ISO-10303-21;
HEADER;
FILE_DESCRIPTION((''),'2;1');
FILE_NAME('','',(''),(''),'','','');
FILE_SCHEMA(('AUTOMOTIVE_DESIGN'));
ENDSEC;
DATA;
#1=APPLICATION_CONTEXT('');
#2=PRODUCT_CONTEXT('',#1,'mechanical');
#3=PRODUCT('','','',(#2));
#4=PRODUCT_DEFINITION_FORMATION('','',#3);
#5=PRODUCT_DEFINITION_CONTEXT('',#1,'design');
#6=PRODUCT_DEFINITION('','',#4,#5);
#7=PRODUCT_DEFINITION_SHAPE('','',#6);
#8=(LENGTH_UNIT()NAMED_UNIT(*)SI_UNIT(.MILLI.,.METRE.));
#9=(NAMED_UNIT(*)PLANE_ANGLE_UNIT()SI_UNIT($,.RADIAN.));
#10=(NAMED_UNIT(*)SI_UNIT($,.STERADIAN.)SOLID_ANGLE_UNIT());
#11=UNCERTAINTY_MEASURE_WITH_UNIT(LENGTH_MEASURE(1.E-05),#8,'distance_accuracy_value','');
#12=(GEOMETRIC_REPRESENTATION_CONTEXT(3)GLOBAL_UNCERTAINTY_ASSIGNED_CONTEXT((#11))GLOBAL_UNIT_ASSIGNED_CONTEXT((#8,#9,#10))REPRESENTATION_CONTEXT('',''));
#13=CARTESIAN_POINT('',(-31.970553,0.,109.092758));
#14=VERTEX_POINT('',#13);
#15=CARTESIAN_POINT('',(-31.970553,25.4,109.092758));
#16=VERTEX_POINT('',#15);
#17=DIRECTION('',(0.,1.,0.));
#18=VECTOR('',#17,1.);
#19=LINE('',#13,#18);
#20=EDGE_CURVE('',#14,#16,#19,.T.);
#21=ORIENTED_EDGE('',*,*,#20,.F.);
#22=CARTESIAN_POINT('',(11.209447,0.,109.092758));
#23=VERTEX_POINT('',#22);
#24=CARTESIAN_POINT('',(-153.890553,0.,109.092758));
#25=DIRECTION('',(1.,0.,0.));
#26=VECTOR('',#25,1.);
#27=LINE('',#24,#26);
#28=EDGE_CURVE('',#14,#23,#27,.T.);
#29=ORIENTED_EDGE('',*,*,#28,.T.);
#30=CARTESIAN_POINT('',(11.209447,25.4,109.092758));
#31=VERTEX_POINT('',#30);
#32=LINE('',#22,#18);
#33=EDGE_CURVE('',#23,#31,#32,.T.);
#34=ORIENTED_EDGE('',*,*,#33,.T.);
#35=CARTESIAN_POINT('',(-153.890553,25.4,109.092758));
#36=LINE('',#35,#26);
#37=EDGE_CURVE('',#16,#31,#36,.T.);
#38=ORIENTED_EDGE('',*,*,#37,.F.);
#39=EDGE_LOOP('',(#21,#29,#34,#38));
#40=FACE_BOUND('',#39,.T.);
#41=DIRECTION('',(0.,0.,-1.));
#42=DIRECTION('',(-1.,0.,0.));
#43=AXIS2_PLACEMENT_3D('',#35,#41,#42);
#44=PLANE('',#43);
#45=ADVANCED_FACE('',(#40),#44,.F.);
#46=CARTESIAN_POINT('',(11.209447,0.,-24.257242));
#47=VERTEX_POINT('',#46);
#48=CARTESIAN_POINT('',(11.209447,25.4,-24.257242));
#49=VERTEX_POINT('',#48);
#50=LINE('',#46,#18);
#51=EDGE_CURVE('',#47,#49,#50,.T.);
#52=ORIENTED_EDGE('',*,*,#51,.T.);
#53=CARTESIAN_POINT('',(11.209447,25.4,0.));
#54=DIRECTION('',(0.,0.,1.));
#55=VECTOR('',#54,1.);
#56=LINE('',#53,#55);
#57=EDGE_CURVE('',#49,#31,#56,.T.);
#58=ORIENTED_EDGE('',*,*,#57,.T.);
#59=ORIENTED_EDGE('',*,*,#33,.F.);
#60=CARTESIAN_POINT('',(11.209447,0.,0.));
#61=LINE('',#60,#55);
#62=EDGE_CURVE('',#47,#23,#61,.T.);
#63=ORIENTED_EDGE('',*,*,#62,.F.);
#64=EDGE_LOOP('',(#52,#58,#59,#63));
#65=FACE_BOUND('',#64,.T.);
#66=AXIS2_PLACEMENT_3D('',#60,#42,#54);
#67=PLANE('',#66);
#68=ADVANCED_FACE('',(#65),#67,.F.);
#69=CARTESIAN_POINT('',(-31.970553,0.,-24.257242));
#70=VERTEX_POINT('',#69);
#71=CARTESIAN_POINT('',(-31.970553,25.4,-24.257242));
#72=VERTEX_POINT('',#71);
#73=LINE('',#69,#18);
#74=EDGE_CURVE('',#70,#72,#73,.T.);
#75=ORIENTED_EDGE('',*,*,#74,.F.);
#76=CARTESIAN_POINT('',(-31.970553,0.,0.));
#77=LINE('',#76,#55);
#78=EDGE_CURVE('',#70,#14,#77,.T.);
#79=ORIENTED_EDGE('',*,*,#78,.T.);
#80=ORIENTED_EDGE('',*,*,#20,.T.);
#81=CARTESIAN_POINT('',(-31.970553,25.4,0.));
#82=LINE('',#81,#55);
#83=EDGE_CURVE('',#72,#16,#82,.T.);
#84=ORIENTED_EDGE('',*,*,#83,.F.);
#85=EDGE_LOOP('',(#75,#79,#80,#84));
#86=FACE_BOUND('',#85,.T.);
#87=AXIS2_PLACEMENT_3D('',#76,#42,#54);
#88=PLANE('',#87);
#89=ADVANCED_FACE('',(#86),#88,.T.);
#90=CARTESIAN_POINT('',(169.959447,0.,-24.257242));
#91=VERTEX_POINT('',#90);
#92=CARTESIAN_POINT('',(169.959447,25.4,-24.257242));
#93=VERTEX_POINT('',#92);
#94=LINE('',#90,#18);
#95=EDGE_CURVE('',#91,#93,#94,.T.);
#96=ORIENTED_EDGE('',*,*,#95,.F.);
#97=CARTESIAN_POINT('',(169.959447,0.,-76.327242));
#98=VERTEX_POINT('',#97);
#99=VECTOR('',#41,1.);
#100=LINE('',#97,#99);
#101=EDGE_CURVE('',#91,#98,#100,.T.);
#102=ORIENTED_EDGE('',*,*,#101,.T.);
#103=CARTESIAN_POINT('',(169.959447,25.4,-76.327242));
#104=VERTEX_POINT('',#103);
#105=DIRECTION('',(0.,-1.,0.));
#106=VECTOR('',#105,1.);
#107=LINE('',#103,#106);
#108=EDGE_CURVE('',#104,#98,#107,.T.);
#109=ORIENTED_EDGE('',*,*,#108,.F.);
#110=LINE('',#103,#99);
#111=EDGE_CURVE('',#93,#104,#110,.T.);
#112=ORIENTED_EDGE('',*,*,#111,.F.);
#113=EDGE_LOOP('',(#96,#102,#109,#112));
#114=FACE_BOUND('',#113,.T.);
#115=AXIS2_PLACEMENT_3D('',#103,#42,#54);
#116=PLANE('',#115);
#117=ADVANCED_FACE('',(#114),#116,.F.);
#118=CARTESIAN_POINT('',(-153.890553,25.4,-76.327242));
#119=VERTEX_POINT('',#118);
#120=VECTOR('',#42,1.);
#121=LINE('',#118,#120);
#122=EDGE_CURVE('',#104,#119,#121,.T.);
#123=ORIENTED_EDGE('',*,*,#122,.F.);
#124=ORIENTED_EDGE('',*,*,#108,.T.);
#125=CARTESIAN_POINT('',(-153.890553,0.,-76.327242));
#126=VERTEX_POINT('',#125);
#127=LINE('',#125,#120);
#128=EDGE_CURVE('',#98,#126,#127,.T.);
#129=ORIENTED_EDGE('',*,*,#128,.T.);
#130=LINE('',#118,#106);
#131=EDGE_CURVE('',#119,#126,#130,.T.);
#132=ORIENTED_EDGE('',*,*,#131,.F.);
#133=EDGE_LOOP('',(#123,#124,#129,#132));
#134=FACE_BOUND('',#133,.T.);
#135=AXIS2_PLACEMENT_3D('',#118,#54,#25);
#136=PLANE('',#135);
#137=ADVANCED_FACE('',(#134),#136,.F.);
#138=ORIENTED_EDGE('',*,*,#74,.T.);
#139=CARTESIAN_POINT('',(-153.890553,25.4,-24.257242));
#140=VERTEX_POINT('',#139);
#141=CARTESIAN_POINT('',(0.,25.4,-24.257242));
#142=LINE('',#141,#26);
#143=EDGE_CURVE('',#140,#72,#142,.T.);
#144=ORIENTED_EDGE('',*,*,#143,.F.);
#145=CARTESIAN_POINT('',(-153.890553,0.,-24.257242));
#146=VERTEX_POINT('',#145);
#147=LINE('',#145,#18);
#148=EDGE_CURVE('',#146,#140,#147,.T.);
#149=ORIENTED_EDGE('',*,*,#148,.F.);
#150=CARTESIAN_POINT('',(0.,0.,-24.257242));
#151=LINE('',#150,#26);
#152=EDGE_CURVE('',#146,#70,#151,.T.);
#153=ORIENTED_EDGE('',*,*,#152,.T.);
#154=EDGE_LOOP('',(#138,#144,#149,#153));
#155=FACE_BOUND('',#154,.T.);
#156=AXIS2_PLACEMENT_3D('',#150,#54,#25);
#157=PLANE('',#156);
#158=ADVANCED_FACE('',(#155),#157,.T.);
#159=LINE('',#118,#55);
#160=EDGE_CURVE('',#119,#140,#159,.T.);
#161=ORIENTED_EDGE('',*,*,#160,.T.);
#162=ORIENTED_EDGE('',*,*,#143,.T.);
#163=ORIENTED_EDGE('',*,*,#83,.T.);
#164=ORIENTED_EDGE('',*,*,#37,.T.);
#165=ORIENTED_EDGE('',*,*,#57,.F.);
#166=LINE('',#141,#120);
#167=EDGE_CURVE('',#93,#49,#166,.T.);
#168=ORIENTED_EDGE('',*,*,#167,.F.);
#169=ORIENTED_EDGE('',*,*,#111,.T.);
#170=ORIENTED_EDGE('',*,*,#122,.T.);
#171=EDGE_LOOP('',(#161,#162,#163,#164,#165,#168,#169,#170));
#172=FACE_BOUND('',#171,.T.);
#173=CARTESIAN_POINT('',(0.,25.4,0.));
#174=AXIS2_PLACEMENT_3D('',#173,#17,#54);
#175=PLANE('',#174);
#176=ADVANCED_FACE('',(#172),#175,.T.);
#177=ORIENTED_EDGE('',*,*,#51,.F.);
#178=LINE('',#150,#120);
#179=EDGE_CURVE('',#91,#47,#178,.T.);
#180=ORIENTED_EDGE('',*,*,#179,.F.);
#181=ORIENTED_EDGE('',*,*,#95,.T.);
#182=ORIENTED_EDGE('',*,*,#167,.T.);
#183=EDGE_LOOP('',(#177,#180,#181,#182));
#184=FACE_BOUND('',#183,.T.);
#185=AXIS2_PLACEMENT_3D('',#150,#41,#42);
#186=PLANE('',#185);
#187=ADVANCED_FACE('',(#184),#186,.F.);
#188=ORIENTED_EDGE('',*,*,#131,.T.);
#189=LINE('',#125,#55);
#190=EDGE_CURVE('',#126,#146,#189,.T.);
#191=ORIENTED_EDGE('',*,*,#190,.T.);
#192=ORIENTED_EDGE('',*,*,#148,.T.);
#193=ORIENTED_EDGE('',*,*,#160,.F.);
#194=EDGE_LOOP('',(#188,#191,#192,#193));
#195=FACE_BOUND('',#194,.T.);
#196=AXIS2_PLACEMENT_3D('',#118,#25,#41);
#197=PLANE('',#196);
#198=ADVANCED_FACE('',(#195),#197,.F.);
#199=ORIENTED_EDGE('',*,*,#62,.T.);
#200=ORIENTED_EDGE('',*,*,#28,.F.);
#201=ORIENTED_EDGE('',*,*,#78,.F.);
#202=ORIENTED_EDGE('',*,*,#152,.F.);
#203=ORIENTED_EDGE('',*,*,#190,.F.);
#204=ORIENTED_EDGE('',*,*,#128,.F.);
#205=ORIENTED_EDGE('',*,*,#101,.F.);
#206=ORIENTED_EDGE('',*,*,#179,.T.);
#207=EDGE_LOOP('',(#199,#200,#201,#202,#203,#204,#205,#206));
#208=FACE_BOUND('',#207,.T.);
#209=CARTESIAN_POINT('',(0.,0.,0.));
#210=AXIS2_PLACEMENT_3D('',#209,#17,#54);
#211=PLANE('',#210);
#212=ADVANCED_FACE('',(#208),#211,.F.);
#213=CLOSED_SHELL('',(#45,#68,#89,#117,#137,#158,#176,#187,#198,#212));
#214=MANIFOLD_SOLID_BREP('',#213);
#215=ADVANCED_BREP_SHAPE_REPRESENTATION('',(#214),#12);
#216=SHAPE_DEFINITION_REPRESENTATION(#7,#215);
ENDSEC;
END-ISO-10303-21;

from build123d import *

# Parameters (mm, degrees)
SKETCH2_W           = 323.85
SKETCH2_H           = 185.42
BOSS_EXTRUDE1_DEPTH = 25.4
SKETCH3_W           = 158.75
SKETCH3_H           = 133.35
CUT_EXTRUDE2_DEPTH  = 25.4


with BuildPart() as part:
    # Sketch2 → Boss-Extrude1 (new body)
    with BuildSketch(Plane(origin=(0, 0, 0), x_dir=(1, 0, 0), z_dir=(0, 1, 0))):
        with Locations((8.034446565, -16.382757634)):
            Rectangle(SKETCH2_W, SKETCH2_H)
    extrude(amount=BOSS_EXTRUDE1_DEPTH)

    # Sketch3 → Cut-Extrude2 (cut)
    with BuildSketch(Plane(origin=(0, 25.4, 0), x_dir=(1, 0, 0), z_dir=(0, 1, 0))):
        Polygon((-153.890553435, 24.257242366), (-153.890553435, -12.50606057), (-153.890553435, -109.092757634), (-31.970553435, -109.092757634), (-31.970553435, 24.257242366), align=None)
        with Locations((90.584446565, -42.417757634)):
            Rectangle(SKETCH3_W, SKETCH3_H)
    extrude(amount=-CUT_EXTRUDE2_DEPTH, mode=Mode.SUBTRACT)


solid = part.part
